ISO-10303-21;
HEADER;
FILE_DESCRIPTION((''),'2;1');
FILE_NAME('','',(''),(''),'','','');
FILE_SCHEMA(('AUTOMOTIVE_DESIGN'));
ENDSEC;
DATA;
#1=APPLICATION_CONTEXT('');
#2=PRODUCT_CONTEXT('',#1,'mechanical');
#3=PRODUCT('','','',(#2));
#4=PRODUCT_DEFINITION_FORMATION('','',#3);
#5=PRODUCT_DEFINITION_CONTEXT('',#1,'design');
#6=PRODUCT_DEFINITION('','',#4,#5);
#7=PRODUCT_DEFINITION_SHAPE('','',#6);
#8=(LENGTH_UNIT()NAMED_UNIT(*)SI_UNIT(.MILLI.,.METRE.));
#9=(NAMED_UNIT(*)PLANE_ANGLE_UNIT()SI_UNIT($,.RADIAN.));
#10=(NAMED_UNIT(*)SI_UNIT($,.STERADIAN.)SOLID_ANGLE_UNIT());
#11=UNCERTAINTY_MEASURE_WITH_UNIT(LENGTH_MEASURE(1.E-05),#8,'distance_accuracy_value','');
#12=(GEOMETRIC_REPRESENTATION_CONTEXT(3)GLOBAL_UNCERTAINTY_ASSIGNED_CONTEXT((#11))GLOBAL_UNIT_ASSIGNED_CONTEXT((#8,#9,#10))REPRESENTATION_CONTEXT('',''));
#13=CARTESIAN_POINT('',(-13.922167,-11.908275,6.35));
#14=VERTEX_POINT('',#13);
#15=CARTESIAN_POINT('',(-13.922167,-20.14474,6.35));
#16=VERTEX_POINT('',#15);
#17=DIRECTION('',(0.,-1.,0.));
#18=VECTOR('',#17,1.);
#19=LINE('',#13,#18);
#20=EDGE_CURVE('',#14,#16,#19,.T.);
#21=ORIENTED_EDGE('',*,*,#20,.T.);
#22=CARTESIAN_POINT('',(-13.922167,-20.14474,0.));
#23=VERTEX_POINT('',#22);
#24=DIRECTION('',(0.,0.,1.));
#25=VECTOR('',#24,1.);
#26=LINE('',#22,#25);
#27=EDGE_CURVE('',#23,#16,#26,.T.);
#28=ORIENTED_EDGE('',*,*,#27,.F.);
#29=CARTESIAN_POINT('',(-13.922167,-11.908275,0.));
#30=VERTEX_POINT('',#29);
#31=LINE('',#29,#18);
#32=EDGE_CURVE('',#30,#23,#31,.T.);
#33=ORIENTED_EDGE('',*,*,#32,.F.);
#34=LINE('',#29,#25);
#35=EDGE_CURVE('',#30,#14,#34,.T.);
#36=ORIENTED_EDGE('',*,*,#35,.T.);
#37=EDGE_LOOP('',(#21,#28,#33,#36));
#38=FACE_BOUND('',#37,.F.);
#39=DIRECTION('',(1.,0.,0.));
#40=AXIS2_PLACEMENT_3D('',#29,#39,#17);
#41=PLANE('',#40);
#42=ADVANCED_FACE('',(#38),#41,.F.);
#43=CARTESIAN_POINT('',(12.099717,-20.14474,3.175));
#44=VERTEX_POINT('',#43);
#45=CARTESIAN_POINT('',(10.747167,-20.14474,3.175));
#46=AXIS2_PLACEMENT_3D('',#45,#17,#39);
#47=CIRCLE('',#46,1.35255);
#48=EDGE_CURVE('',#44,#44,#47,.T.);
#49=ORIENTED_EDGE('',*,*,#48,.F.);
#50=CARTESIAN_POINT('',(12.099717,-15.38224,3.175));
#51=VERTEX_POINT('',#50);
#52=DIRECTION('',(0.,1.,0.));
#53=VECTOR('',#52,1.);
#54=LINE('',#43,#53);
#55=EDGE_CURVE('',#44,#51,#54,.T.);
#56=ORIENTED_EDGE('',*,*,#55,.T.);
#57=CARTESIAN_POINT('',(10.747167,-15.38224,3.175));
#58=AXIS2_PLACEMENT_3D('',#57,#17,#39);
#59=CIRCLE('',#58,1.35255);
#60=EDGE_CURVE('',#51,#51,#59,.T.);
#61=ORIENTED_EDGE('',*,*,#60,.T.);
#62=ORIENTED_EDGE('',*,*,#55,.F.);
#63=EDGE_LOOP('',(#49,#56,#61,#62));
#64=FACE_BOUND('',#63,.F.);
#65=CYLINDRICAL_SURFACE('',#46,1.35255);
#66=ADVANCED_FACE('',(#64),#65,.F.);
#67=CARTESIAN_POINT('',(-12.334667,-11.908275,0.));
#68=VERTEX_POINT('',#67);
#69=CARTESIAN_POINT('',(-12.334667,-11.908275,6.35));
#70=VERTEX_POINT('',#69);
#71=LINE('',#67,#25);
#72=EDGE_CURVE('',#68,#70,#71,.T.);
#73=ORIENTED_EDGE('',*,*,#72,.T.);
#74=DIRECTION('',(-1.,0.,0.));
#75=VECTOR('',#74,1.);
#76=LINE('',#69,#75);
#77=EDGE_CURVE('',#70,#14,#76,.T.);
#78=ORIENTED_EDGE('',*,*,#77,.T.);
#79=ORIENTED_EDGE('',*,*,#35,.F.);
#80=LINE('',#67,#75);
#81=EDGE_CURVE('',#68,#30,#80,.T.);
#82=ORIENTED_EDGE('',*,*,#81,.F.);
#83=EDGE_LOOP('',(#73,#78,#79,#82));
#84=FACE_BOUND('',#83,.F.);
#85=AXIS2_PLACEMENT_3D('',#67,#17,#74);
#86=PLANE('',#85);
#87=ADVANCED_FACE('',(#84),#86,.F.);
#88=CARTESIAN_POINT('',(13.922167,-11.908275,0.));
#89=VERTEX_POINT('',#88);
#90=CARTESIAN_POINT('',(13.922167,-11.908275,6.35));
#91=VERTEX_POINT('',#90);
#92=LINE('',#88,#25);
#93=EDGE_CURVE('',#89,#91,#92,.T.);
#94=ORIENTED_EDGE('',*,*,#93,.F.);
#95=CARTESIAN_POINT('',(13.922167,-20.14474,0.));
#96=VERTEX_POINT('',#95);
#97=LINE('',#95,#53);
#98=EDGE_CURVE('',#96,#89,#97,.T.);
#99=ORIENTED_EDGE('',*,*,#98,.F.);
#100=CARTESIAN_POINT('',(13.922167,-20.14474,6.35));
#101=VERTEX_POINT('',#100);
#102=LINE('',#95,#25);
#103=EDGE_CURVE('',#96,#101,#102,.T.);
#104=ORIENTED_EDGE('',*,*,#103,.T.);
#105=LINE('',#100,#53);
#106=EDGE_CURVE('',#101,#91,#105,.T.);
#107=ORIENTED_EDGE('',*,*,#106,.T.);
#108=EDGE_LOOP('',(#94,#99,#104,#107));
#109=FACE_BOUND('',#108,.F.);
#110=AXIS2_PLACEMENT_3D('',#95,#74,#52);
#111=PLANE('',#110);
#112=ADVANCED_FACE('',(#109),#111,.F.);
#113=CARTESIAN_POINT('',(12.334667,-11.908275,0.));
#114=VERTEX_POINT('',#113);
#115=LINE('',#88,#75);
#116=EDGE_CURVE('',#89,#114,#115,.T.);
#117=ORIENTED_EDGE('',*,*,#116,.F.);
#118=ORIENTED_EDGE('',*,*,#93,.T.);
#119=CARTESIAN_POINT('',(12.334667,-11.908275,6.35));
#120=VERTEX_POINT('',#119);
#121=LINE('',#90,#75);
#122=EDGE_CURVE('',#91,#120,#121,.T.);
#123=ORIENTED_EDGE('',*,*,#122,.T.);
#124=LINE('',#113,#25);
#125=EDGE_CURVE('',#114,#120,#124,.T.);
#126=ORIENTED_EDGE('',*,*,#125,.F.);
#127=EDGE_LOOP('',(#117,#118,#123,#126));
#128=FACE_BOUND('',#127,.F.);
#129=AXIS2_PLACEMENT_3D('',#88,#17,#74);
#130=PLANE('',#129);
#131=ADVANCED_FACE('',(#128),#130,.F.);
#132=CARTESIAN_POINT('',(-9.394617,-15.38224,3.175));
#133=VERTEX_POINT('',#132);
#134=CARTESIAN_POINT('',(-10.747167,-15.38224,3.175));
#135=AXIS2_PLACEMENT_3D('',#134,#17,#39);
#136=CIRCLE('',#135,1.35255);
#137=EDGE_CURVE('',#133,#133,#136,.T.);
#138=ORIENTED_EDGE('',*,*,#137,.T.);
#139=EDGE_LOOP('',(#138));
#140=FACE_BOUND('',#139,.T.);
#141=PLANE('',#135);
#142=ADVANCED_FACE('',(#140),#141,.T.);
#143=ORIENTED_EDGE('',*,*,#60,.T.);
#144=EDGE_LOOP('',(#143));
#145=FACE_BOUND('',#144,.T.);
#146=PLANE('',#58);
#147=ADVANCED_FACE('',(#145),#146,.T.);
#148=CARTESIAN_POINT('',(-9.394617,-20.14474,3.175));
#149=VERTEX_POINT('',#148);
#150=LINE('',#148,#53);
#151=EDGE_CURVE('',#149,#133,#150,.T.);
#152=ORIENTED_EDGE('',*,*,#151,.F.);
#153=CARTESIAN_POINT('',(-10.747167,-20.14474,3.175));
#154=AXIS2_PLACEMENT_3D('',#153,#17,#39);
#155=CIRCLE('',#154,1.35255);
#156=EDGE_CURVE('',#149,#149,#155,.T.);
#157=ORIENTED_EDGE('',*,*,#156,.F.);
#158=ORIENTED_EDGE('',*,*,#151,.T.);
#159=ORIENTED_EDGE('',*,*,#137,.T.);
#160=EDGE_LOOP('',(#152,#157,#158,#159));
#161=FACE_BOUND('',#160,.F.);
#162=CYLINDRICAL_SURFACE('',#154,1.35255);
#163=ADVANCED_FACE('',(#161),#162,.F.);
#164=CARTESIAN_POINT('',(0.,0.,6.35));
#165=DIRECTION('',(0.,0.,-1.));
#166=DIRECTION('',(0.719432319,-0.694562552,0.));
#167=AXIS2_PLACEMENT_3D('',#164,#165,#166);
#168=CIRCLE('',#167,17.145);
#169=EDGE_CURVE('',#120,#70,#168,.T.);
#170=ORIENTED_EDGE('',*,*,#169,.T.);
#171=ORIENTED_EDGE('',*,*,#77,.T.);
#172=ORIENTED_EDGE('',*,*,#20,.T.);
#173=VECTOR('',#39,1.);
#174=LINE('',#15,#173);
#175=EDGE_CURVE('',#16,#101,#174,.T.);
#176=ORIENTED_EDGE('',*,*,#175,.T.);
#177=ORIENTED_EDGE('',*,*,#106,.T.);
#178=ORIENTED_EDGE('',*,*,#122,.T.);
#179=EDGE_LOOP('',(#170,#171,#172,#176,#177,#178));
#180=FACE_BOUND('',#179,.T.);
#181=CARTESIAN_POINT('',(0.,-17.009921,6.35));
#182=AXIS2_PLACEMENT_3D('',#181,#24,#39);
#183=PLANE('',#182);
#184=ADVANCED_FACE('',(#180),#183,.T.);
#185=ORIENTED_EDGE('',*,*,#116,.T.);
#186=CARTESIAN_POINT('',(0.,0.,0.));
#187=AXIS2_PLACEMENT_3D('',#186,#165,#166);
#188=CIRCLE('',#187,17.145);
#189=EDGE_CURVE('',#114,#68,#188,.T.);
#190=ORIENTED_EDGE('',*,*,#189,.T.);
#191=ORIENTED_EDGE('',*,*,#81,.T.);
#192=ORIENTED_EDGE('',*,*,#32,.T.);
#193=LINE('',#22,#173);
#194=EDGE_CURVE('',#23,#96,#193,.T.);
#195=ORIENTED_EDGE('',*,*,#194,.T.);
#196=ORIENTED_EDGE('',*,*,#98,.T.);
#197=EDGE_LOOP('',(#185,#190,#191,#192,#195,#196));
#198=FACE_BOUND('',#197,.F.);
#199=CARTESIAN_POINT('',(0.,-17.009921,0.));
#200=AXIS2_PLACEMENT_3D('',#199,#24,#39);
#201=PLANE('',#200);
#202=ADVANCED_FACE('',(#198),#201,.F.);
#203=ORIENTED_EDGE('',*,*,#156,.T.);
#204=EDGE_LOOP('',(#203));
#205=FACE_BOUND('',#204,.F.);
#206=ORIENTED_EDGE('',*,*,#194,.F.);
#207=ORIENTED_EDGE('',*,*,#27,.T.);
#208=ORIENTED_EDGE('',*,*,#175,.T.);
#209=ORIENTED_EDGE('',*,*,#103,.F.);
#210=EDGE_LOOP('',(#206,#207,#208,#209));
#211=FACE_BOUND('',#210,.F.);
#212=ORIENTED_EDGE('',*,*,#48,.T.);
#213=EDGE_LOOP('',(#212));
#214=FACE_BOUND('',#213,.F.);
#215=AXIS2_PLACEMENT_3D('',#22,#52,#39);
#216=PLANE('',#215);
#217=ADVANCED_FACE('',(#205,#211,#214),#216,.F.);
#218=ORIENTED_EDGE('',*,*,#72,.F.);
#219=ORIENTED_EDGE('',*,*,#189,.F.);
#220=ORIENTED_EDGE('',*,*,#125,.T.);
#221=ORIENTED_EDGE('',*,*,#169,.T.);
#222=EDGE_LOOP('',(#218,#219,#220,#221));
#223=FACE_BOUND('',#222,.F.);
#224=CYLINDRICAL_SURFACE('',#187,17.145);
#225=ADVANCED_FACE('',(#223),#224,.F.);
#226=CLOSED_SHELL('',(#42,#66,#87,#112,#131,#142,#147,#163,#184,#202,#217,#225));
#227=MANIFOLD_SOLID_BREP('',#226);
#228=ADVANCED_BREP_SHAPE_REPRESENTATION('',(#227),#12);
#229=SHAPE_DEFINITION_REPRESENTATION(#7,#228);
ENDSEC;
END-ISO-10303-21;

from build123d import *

# Parameters (mm, degrees)
F1_DEPTH = 6.35
F2_R     = 1.35255
F3_DEPTH = 4.7625


with BuildPart() as f1:
    # F0 (on Top) → F1 (new body)
    with BuildSketch(Plane.XY):
        with BuildLine():
            ThreePointArc((12.334667, -11.908275), (0, -17.145), (-12.334667, -11.908275))
            Line((-12.334667, -11.908275), (-13.922167, -11.908275))
            Line((-13.922167, -11.908275), (-13.922167, -20.14474))
            Line((-13.922167, -20.14474), (13.922167, -20.14474))
            Line((13.922167, -20.14474), (13.922167, -11.908275))
            Line((13.922167, -11.908275), (12.334667, -11.908275))
        make_face()
    extrude(amount=F1_DEPTH)

    # F2 (on face) → F3 (cut)
    with BuildSketch(Plane.XZ.offset(20.14474)):
        with Locations((-10.747167, 3.175)):
            Circle(F2_R)
        with Locations((10.747167, 3.175)):
            Circle(F2_R)
    extrude(amount=-F3_DEPTH, mode=Mode.SUBTRACT)


solid = f1.part
